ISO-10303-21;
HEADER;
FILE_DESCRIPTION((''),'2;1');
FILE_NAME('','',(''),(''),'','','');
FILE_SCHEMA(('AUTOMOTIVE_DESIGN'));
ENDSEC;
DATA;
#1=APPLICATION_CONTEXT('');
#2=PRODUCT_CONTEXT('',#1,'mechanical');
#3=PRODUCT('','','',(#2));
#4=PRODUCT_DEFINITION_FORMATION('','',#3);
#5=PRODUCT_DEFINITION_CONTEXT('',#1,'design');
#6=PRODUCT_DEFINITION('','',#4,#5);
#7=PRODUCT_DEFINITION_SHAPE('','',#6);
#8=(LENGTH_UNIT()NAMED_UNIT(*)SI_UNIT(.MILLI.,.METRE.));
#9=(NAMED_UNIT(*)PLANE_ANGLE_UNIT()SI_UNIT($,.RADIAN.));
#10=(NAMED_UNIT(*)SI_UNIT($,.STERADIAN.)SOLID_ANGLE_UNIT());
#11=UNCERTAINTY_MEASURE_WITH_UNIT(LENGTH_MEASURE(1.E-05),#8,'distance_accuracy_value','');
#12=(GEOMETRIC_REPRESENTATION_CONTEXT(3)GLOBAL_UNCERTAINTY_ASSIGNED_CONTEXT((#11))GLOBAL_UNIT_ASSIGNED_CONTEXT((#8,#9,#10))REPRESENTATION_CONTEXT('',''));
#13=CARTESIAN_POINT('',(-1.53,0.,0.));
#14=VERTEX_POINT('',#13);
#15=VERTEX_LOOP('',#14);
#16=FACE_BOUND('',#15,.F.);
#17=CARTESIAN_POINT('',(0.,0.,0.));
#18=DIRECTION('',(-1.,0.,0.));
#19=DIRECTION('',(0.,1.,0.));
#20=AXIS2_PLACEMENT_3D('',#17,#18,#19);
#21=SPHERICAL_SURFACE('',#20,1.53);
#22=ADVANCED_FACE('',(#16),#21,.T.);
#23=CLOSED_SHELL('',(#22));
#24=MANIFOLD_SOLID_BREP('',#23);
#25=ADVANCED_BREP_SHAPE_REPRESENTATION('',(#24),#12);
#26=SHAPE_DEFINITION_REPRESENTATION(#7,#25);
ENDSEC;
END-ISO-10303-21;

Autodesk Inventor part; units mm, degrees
sketch "Sketch_1" plane through (0, 0, 0) normal (0, 0, 1) x (1, 0, 0)
  line L0 (1.53, 0) -> (-1.53, 0)
  arc A0 (1.53, 0) -> (-1.53, 0) centre (0, 0) ccw
  line L1 (1.53, 0) -> (-1.53, 0)
revolve "Revolution1" add sketch "Sketch_1" angle 360 about axis through (1.53, 0, 0) along (1, 0, 0)
ref_plane "Ball_OR_XY" through (0, 0, 0) normal (1, 0, 0) x (0, 0, -1)
ref_plane "Ball_OR_YZ" through (0, 0, 0) normal (0, 0, -1) x (0, 1, 0)
ref_plane "Ball_OR_ZX" through (0, 0, 0) normal (0, 1, 0) x (1, 0, 0)
properties part number "040205DR-19-H6_ball" material "鉄、鋳鉄"
